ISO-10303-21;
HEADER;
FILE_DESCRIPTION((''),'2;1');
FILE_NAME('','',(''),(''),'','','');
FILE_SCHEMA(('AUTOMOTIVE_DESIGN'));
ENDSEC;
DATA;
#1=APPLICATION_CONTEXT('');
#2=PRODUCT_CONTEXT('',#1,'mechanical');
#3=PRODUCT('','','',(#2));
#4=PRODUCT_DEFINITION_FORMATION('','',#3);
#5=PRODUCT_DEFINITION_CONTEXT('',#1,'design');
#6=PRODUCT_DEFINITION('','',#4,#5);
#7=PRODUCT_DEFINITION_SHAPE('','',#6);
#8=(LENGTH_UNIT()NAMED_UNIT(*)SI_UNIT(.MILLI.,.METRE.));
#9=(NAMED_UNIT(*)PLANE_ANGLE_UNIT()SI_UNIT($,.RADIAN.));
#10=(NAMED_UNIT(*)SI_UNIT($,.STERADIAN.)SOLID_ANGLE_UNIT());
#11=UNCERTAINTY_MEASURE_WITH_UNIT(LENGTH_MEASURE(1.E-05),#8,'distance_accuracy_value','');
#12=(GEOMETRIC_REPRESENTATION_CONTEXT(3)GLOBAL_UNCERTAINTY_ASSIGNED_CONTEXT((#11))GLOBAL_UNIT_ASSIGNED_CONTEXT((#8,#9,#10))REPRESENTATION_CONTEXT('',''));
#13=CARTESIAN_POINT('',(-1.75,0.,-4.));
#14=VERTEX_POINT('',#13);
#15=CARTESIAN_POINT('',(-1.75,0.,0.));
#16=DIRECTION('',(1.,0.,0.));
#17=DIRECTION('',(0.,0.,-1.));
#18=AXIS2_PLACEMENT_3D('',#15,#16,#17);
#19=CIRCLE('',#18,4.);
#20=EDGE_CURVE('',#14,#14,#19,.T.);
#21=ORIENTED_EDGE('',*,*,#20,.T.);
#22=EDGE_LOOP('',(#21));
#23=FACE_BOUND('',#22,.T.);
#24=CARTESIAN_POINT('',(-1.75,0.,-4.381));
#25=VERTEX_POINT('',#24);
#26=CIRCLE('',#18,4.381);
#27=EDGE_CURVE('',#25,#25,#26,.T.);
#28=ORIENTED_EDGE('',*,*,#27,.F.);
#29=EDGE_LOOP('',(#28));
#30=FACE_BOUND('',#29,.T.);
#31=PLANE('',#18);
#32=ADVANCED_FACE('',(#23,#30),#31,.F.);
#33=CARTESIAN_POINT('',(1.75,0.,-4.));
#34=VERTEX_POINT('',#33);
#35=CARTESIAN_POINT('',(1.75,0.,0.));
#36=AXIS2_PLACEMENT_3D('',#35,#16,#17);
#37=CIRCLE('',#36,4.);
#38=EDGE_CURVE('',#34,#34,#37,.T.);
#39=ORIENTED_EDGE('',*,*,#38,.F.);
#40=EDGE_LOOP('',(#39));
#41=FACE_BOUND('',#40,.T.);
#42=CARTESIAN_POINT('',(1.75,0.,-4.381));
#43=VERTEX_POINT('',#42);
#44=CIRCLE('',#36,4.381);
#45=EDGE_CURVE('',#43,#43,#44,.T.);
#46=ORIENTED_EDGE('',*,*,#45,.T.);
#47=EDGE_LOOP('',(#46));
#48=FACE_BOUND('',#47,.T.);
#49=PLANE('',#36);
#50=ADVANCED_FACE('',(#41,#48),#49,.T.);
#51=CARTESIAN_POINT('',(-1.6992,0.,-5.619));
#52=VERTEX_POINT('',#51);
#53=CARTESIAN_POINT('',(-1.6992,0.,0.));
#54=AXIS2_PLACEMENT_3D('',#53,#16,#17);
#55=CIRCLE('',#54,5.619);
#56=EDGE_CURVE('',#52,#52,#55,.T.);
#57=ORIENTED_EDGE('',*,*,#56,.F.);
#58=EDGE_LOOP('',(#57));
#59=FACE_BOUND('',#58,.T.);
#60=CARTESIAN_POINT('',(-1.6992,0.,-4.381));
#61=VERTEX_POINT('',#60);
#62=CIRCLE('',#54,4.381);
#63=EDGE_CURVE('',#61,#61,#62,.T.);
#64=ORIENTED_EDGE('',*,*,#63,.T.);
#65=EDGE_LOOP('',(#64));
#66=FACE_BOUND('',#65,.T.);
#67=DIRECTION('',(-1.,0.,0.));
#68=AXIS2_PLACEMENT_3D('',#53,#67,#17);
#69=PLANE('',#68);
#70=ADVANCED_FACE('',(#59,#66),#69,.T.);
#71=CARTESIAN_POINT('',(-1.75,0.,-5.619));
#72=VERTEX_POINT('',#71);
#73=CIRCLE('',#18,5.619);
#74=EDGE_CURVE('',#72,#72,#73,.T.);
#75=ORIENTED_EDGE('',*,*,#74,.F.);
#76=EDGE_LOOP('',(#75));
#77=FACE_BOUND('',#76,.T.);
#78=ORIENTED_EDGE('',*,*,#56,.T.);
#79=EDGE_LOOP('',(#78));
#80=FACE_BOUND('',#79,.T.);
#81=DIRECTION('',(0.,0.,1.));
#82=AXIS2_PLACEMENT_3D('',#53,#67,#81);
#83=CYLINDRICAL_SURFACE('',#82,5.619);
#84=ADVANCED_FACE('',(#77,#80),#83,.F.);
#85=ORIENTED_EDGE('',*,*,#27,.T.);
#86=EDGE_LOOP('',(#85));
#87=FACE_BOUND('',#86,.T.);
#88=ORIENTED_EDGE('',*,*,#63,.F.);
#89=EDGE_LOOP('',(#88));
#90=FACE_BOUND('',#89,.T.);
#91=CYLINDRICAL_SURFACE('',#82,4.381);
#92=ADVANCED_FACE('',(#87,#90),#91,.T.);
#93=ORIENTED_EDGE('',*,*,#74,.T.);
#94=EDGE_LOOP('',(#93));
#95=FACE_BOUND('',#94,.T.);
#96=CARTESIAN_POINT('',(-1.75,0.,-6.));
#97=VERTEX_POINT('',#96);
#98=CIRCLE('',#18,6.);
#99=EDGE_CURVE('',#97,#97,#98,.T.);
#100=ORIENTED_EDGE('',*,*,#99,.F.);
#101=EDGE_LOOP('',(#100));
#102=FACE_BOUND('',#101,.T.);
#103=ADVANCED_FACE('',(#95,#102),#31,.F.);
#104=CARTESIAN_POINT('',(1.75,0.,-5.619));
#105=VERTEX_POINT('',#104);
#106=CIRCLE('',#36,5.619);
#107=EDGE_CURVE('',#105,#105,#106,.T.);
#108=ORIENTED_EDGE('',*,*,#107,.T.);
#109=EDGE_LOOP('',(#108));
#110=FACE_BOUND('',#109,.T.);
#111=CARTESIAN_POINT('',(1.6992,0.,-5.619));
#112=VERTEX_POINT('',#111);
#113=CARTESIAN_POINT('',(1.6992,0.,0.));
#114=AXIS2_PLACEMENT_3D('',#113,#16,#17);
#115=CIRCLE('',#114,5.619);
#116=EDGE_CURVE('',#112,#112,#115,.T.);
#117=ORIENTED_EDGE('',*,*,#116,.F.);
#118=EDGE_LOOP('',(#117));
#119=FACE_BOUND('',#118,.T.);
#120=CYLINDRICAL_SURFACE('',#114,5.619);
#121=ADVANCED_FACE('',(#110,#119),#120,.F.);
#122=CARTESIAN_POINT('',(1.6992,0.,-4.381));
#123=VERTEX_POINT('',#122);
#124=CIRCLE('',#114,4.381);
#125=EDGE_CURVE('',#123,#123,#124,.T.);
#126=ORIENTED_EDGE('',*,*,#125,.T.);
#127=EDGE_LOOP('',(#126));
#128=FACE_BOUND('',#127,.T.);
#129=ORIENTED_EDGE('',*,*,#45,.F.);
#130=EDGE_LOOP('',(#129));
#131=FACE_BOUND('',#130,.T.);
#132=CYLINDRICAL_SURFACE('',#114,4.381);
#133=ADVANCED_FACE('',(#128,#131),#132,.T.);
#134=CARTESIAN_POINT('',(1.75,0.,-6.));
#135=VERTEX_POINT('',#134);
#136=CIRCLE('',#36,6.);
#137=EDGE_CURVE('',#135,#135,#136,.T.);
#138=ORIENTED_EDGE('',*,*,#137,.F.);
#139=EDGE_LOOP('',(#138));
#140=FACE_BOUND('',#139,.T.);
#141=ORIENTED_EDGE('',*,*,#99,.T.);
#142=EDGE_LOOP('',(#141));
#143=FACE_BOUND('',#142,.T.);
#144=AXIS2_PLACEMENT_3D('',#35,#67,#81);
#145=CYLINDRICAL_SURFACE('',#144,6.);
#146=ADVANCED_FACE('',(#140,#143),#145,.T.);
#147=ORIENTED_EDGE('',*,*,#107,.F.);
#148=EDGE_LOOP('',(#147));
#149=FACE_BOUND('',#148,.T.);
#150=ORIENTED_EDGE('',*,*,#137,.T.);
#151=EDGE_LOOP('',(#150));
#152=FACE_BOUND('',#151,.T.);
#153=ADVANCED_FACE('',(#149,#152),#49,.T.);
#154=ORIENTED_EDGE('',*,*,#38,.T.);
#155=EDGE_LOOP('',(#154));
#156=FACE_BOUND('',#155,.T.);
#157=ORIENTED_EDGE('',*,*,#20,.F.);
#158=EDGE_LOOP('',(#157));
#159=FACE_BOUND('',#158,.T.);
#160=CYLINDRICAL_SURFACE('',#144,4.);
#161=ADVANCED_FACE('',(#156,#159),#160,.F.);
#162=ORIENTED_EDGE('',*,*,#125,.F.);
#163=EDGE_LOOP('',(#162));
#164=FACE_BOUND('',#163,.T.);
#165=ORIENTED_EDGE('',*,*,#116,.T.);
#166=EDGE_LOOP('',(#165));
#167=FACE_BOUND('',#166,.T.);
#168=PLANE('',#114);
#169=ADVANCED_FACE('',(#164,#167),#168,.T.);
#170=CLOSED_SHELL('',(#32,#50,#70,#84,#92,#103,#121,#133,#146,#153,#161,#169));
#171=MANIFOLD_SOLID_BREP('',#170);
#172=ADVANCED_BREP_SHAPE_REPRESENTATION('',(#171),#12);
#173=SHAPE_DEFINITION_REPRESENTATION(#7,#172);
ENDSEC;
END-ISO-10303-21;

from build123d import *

# Parameters (mm, degrees)
SKETCH1_R           = 6
SKETCH1_R_2         = 4
BOSS_EXTRUDE1_DEPTH = 1.75
SKETCH2_R           = 5.619
SKETCH2_R_2         = 4.381
CUT_EXTRUDE1_DEPTH  = 0.0508


with BuildPart() as part:
    # Sketch1 → Boss-Extrude1 (new, symmetric)
    with BuildSketch(Plane(origin=(0, 0, 0), x_dir=(0, 0, -1), z_dir=(1, 0, 0))):
        Circle(SKETCH1_R)
        Circle(SKETCH1_R_2, mode=Mode.SUBTRACT)
    extrude(amount=BOSS_EXTRUDE1_DEPTH, both=True)

    # Sketch2 → Cut-Extrude1 (cut)
    with BuildSketch(Plane(origin=(1.75, 0, 0), x_dir=(0, 0, -1), z_dir=(1, 0, 0))):
        Circle(SKETCH2_R)
        Circle(SKETCH2_R_2, mode=Mode.SUBTRACT)
    cut_extrude1 = extrude(amount=-CUT_EXTRUDE1_DEPTH, mode=Mode.SUBTRACT)

    # Mirror1: Cut-Extrude1 across plane
    add(cut_extrude1.mirror(Plane(origin=(0, 0, 0), x_dir=(0, 0, 1), z_dir=(1, 0, 0))), mode=Mode.SUBTRACT)


solid = part.part
